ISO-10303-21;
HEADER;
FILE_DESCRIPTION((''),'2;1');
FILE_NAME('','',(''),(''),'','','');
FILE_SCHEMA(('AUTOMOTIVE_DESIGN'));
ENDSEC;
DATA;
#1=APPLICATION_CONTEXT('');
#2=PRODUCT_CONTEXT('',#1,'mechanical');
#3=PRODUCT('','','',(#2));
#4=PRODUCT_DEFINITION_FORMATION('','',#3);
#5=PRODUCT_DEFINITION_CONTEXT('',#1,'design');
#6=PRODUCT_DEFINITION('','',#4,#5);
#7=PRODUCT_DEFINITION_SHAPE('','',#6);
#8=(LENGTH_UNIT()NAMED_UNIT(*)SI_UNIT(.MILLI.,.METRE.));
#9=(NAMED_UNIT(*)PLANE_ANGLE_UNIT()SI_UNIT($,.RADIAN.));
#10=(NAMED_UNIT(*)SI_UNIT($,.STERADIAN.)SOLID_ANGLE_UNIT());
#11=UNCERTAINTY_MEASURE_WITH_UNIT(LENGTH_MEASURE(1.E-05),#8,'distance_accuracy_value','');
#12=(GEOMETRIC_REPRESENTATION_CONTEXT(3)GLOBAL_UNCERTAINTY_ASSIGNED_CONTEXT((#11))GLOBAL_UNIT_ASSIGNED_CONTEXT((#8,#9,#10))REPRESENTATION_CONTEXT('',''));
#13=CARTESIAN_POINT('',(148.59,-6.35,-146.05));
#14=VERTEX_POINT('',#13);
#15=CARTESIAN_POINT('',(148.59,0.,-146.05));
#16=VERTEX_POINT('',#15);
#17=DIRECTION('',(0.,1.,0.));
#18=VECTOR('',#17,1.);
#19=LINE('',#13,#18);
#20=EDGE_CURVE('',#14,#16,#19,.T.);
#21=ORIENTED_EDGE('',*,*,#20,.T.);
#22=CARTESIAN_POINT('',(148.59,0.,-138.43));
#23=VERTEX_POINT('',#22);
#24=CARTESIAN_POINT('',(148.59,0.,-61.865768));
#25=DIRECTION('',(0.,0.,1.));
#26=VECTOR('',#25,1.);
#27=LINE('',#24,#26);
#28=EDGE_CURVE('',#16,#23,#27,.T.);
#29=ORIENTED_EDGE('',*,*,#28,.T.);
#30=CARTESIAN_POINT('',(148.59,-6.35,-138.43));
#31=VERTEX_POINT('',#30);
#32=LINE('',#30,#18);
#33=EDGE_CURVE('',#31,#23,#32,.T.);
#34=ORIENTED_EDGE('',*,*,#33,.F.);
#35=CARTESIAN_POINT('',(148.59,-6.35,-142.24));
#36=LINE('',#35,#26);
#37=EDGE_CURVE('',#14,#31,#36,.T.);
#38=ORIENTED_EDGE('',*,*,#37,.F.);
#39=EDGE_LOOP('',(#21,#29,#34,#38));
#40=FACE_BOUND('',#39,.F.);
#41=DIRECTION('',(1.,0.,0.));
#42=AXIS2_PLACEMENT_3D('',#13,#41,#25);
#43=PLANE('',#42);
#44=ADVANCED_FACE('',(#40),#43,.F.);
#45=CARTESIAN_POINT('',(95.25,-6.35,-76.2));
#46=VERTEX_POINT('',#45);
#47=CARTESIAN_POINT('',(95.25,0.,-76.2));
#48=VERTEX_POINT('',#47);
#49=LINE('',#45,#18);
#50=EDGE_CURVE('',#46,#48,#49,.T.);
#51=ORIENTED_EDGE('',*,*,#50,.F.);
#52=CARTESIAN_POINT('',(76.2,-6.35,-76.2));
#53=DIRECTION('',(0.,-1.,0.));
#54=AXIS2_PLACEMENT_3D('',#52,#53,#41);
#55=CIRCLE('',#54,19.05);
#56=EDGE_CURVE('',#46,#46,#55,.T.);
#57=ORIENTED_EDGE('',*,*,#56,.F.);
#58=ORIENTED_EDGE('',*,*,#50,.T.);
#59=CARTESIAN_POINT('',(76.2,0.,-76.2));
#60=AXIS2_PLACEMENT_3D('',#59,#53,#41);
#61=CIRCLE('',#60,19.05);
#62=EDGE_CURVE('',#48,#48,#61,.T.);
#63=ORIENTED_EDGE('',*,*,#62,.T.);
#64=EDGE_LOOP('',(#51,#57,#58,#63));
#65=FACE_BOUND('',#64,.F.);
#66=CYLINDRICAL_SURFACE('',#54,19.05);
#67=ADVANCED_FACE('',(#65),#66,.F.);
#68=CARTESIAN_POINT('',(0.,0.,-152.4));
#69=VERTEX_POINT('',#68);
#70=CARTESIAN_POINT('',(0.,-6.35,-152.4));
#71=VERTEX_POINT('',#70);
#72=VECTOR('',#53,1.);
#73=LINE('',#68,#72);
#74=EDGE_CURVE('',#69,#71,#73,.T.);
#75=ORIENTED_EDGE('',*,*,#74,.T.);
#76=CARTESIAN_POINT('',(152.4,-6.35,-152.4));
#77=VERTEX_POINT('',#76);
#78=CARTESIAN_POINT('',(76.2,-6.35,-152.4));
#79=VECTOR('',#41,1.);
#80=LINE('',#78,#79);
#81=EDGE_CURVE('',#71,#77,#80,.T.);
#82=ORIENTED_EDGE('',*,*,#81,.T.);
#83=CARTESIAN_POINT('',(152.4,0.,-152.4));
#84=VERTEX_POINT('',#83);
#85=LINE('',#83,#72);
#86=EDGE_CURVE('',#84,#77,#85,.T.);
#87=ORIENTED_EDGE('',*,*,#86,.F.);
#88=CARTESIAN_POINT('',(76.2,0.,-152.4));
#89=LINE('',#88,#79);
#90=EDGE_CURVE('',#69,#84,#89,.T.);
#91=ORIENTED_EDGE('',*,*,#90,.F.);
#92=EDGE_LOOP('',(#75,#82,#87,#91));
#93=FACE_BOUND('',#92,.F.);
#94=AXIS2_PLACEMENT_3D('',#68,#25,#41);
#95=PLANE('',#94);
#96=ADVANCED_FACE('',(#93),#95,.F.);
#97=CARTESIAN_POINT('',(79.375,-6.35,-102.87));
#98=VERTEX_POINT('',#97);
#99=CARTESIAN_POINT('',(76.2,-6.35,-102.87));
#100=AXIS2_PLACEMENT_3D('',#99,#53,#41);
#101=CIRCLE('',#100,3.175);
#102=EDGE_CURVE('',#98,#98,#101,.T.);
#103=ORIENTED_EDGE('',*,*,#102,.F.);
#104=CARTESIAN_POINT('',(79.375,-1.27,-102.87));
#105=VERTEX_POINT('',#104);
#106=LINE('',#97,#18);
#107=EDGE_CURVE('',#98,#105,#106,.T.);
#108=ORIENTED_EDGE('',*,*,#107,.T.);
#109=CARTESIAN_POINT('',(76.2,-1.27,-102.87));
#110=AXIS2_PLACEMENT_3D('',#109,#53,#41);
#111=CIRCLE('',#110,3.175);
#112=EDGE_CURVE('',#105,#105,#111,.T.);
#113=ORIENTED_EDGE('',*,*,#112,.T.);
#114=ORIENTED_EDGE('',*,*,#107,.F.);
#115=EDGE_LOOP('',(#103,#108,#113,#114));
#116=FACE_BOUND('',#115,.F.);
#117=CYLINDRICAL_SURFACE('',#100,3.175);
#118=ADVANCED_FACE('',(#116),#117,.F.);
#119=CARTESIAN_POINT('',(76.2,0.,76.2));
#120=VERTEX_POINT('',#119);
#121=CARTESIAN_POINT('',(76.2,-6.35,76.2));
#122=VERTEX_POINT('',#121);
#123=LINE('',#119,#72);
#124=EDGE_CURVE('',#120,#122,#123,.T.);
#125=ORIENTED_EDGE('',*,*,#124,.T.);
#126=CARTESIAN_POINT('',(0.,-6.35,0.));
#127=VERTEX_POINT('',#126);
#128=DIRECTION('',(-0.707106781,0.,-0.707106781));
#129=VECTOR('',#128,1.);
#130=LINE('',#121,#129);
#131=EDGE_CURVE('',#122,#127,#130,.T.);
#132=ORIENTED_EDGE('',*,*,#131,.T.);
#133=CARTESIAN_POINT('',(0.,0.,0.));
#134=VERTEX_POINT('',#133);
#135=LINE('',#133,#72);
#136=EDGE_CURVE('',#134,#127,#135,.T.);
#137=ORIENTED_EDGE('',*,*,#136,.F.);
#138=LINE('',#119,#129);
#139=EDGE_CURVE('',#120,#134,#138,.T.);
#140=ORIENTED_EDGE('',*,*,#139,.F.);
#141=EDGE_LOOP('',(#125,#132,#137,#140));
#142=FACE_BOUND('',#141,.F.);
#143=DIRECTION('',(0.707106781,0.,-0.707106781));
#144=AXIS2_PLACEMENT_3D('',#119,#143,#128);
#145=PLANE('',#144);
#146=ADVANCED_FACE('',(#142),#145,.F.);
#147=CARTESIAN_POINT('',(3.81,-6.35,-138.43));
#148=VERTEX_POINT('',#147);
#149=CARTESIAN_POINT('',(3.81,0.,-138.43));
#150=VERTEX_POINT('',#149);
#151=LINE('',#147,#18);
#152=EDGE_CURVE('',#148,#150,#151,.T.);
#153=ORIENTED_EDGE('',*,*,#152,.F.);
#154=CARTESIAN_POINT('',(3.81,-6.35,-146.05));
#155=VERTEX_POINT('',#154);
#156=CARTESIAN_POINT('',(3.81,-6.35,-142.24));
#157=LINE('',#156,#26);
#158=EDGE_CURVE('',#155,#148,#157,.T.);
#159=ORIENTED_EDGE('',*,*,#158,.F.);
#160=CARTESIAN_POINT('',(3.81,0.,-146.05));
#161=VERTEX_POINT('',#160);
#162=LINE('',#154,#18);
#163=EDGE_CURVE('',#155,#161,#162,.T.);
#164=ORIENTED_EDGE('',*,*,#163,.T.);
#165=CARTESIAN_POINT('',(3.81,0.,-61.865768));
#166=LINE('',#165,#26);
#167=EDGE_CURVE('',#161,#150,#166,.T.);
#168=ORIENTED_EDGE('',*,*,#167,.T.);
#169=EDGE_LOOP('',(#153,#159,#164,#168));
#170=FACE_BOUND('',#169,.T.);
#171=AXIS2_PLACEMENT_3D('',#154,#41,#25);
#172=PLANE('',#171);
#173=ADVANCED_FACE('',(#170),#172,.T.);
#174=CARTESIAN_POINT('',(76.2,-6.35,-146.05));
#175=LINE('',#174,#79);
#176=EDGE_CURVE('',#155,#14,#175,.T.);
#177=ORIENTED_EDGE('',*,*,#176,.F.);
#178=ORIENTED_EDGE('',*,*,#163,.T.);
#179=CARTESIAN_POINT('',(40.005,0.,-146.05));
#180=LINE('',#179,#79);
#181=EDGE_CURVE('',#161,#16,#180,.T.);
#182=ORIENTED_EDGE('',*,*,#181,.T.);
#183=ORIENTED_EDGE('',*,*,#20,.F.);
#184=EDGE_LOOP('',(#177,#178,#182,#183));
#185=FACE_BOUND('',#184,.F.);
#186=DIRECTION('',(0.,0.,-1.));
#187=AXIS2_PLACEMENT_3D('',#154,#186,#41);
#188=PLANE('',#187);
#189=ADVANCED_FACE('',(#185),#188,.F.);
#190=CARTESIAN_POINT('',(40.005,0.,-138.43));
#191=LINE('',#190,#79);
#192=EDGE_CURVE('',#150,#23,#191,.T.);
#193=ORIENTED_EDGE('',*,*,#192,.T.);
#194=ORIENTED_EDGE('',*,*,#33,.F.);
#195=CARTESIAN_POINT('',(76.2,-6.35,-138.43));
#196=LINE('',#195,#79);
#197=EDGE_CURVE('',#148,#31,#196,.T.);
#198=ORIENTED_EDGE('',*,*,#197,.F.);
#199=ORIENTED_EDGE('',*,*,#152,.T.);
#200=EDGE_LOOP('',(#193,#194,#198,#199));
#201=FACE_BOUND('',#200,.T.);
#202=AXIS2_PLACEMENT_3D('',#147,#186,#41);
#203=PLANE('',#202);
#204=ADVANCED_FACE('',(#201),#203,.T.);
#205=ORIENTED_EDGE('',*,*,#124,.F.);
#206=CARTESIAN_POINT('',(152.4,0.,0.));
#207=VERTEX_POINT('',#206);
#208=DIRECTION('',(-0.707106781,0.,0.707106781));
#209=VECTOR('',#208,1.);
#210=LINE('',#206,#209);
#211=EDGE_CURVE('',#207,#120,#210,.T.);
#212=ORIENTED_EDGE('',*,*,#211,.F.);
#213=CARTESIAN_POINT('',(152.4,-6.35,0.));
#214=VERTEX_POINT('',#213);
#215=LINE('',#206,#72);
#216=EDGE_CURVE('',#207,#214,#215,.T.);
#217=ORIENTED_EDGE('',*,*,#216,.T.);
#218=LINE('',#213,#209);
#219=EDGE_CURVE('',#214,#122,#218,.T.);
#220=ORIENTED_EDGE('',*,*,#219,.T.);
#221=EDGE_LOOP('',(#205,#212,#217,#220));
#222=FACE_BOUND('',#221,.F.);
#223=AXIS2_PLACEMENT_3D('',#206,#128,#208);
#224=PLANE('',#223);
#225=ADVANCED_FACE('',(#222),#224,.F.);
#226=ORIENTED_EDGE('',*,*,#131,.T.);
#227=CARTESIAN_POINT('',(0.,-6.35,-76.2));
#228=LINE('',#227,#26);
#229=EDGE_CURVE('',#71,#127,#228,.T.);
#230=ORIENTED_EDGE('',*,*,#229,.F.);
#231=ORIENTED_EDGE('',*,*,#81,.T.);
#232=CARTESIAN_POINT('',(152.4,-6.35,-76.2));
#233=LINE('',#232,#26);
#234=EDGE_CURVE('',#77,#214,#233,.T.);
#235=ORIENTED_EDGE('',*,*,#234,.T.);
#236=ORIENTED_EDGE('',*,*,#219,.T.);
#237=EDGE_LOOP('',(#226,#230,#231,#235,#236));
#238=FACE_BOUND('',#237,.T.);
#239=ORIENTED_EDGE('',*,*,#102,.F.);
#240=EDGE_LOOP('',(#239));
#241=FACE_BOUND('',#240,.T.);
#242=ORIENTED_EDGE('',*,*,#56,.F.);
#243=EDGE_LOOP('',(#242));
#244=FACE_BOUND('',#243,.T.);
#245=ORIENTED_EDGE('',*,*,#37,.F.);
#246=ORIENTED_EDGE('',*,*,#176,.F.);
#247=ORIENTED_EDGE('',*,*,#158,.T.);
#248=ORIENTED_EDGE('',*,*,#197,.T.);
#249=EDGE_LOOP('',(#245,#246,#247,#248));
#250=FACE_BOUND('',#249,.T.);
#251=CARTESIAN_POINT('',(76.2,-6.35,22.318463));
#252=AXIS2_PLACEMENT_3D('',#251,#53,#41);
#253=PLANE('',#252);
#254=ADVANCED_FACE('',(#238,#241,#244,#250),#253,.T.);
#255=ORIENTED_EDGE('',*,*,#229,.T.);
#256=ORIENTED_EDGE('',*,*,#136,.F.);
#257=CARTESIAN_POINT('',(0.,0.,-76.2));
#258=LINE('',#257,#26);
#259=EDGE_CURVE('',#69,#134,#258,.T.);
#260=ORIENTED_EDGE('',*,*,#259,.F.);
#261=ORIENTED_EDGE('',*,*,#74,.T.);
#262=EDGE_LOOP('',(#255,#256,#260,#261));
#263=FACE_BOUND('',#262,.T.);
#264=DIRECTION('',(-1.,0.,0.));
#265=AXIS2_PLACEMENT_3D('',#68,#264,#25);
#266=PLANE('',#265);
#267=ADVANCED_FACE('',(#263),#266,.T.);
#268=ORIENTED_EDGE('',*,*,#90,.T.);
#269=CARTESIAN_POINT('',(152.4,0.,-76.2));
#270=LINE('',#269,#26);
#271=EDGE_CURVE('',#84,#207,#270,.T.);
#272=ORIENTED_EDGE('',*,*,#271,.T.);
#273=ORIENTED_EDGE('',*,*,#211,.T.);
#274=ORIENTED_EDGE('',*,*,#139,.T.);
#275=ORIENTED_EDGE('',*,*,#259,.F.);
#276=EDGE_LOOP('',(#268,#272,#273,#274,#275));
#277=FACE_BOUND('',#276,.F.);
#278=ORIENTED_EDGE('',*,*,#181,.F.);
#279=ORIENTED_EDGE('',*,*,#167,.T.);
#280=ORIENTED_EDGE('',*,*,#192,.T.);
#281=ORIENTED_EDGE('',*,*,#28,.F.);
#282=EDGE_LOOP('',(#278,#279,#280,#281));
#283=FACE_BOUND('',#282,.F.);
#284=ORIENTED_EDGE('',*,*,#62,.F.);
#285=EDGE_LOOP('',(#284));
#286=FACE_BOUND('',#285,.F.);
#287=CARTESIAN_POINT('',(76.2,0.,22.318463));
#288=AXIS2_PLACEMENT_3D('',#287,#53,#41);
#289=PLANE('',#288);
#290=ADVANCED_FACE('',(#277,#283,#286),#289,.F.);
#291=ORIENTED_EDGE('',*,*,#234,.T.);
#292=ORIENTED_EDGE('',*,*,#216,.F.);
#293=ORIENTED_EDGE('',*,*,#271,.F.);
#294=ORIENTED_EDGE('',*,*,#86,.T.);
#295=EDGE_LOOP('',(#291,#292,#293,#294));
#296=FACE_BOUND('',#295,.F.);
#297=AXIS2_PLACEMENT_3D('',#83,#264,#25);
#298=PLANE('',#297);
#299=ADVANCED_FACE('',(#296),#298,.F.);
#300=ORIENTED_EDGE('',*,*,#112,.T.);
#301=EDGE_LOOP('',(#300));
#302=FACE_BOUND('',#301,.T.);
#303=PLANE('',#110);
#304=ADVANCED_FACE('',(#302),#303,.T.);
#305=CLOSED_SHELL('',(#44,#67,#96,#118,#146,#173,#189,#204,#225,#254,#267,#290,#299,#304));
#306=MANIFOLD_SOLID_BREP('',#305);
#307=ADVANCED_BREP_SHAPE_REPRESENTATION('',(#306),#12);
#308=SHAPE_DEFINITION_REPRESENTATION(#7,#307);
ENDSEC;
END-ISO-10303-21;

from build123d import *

# Parameters (mm, degrees)
F0_W     = 152.4
F0_H     = 152.4
F1_DEPTH = 6.35
F2_R     = 19.05
F3_DEPTH = 6.351
F4_R     = 3.175
F5_DEPTH = 5.08
F6_W     = 144.78
F6_H     = 7.62
F7_DEPTH = 25.4


with BuildPart() as f1:
    # F0 (on Front) → F1 (new body)
    with BuildSketch(Plane.XZ):
        Polygon((76.2, 76.2), (0, 0), (152.4, 0), align=None)
        with Locations((76.2, -76.2)):
            Rectangle(F0_W, F0_H)
    extrude(amount=F1_DEPTH)

    # F2 (on face) → F3 (cut, through all)
    with BuildSketch(Plane.XZ.offset(6.35)):
        with Locations((76.2, -76.2)):
            Circle(F2_R)
    extrude(amount=-F3_DEPTH, mode=Mode.SUBTRACT)

    # F4 (on face) → F5 (cut)
    with BuildSketch(Plane.XZ.offset(6.35)):
        with Locations((76.2, -102.87)):
            Circle(F4_R)
    extrude(amount=-F5_DEPTH, mode=Mode.SUBTRACT)

    # F6 (on face) → F7 (cut)
    with BuildSketch(Plane.XZ.offset(6.35)):
        with Locations((76.2, -142.24)):
            Rectangle(F6_W, F6_H)
    extrude(amount=-F7_DEPTH, mode=Mode.SUBTRACT)


solid = f1.part
